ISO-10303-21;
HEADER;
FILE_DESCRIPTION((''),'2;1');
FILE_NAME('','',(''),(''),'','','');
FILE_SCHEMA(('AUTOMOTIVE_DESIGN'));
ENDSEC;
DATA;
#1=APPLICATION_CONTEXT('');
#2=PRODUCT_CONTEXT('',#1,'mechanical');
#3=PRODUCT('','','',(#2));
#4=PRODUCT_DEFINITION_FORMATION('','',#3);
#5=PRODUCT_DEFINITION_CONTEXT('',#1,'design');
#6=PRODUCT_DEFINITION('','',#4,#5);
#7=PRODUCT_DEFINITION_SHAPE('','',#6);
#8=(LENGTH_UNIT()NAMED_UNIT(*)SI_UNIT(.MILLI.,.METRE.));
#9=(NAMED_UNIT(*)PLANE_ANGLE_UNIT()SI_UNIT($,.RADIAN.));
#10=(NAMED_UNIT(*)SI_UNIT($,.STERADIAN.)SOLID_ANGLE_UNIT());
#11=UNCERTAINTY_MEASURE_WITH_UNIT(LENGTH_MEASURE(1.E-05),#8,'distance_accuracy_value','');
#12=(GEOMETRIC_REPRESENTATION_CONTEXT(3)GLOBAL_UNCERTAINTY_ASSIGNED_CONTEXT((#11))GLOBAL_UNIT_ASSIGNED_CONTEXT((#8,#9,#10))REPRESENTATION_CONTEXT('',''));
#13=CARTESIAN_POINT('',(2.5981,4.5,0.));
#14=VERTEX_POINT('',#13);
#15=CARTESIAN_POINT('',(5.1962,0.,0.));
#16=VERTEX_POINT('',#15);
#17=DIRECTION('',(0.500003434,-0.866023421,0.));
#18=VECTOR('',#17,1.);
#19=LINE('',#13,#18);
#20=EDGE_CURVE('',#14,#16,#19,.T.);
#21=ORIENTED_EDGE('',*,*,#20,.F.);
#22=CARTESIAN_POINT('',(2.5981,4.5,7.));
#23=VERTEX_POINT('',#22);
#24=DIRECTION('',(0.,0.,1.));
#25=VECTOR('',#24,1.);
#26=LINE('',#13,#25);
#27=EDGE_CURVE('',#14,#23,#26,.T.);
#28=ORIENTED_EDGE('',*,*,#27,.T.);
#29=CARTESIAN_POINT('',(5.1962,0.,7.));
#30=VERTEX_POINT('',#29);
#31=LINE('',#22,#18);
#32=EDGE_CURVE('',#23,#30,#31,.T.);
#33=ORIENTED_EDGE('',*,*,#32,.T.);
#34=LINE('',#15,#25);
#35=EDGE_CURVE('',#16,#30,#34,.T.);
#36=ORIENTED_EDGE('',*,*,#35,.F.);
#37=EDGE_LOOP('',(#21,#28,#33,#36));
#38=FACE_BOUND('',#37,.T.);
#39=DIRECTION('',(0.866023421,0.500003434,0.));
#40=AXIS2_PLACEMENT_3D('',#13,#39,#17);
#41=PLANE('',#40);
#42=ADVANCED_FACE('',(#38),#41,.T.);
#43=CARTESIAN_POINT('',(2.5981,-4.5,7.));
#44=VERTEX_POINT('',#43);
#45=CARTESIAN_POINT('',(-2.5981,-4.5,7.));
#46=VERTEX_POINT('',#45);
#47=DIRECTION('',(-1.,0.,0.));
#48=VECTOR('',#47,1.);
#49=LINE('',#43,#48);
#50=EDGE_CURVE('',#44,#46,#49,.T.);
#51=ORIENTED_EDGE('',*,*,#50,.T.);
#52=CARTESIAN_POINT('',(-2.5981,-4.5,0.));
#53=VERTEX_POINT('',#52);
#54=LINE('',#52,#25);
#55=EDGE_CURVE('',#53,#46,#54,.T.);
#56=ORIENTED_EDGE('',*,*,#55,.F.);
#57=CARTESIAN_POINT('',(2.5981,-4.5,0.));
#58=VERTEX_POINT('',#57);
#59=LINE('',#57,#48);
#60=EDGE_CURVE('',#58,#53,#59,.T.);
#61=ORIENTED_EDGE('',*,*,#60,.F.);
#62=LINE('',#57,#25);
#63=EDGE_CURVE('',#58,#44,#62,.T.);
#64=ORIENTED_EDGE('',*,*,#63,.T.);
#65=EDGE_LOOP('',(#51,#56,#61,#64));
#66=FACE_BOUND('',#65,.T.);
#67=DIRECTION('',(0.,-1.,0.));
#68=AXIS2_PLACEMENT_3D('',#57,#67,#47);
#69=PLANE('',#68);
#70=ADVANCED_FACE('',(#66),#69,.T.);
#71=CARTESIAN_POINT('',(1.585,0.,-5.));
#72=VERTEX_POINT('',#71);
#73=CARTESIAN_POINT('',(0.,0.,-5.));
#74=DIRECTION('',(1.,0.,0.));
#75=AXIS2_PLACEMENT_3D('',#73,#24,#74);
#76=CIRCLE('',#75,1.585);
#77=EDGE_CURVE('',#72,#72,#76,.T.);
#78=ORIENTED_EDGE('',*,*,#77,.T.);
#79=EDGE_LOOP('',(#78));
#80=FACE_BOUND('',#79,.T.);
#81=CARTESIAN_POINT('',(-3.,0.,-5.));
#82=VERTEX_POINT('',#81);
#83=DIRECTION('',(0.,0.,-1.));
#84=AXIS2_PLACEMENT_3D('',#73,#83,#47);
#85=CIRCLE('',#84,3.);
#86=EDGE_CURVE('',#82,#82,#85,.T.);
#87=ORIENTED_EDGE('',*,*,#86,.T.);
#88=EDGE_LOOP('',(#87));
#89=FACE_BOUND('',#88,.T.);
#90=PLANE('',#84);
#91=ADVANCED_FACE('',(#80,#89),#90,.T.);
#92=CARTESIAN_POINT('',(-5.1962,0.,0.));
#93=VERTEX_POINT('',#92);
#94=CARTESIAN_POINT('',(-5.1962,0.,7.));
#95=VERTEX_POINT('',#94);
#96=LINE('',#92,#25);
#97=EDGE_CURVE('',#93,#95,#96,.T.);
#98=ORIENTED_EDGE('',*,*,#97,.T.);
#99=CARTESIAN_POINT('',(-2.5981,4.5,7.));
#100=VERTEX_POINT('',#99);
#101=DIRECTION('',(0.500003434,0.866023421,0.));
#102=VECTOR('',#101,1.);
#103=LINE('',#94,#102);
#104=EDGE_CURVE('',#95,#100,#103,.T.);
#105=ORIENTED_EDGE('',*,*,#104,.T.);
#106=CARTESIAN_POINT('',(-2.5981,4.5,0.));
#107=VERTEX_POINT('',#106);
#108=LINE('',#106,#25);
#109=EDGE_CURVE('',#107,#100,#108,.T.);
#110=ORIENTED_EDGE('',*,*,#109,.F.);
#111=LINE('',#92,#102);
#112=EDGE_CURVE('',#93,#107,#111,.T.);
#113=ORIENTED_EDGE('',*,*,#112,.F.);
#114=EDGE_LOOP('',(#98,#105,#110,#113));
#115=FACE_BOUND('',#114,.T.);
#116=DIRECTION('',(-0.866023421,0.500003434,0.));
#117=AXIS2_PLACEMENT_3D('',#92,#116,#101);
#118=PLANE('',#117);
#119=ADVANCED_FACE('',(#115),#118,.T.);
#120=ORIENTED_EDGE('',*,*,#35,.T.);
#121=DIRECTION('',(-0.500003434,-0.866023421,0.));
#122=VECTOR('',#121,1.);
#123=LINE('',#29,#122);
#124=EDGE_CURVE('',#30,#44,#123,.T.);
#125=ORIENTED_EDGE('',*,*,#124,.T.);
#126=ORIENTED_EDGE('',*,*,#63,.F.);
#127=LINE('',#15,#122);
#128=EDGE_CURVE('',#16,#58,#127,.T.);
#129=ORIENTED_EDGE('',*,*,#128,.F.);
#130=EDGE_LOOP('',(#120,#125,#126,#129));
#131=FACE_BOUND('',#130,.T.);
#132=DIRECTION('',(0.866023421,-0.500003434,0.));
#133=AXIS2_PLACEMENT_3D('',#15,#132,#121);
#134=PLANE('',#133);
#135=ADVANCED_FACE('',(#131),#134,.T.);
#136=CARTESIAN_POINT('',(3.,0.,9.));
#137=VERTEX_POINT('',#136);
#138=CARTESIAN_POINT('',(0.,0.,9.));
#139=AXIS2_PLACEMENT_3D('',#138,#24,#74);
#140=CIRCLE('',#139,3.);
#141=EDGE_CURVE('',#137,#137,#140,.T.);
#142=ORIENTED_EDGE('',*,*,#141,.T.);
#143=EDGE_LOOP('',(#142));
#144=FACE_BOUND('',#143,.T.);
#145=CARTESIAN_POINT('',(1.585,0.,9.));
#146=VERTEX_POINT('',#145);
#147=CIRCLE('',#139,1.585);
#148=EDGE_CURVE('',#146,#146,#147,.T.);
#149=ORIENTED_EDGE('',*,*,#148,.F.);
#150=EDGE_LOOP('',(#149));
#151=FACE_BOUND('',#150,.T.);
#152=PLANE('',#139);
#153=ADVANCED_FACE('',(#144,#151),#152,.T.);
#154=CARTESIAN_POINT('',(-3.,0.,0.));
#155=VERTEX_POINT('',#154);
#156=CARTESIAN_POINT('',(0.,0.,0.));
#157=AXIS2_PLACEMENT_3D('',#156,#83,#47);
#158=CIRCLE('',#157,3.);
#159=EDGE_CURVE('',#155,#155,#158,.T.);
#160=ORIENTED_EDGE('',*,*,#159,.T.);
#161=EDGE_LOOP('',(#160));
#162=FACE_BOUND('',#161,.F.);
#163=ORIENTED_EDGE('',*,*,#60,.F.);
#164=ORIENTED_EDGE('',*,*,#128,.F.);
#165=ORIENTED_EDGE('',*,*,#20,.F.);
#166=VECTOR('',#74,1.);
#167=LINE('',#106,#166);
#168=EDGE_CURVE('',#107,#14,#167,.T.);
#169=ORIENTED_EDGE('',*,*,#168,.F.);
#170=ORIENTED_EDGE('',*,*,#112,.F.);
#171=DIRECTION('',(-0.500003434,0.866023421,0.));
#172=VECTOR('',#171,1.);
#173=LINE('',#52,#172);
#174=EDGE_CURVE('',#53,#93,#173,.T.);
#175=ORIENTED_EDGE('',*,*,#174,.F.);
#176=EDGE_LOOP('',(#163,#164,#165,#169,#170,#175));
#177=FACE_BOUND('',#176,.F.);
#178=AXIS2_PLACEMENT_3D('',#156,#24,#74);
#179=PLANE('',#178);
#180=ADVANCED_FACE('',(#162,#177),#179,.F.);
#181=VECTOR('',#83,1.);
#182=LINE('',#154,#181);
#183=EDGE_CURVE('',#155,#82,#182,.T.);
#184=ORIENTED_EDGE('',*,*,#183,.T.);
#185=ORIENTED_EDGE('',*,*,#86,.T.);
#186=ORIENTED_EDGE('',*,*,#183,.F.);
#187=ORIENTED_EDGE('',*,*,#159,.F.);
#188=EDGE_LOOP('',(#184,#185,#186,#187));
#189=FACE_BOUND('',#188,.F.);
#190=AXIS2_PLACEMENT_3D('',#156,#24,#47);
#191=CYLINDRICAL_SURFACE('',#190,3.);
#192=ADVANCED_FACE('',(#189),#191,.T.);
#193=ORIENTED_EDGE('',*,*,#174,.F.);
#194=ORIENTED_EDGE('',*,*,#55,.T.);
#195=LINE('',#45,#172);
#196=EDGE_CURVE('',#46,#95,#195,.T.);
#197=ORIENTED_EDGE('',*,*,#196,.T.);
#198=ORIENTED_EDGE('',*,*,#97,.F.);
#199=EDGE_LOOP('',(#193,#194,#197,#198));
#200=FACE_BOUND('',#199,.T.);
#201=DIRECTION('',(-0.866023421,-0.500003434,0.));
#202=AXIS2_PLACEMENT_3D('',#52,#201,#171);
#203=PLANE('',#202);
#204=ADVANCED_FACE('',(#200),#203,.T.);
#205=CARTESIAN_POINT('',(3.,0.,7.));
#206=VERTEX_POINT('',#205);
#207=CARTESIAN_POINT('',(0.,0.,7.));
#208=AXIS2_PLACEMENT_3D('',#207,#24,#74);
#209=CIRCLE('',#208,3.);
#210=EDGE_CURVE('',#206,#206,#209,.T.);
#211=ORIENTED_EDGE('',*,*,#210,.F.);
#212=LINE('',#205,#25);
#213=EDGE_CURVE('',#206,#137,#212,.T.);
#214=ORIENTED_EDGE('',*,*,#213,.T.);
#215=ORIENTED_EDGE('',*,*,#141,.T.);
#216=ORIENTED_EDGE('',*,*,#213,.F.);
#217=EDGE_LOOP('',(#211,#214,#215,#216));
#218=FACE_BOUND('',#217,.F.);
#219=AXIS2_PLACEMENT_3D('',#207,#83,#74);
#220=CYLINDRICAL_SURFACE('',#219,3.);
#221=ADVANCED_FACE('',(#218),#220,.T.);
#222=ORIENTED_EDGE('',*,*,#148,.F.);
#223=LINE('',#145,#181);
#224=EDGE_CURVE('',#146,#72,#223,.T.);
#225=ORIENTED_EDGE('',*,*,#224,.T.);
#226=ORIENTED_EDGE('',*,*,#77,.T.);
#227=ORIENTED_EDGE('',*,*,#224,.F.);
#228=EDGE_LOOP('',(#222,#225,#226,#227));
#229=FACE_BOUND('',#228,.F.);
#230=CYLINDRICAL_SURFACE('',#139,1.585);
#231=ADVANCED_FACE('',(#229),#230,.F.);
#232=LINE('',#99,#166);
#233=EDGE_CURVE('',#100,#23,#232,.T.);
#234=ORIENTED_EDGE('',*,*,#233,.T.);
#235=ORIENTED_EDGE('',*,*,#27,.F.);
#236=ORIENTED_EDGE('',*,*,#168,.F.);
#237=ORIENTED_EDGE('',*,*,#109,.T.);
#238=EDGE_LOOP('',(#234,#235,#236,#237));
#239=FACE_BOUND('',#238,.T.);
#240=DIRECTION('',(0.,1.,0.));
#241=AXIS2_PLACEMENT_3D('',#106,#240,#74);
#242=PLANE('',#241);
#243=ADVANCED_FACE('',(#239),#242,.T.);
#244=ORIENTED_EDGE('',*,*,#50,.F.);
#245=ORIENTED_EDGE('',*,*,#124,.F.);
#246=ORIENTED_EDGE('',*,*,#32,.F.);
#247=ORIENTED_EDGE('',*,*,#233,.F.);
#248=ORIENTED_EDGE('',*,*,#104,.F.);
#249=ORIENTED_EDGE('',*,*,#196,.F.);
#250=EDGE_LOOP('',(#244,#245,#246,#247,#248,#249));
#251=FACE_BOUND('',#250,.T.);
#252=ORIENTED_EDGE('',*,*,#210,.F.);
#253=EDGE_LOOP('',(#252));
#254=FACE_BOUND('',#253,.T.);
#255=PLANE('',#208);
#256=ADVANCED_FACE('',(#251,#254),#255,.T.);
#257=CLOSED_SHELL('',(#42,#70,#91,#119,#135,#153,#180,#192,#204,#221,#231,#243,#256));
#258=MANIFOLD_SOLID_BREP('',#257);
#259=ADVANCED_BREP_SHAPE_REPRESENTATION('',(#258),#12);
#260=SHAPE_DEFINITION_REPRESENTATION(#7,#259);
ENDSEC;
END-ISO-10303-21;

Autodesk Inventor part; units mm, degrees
ref_plane "YZ Plane" through (0, 0, 0) normal (1, 0, 0) x (0, 1, 0)
ref_plane "XZ Plane" through (0, 0, 0) normal (0, 1, 0) x (-1, 0, 0)
ref_plane "XY Plane" through (0, 0, 0) normal (0, 0, 1) x (1, 0, 0)
sketch "Sketch1" plane through (0, 0, 0) normal (0, 0, 1) x (1, 0, 0)
  line L0 (-5.1962, 0) -> (-2.5981, 4.5)
  line L1 (-2.5981, 4.5) -> (2.5981, 4.5)
  line L2 (2.5981, 4.5) -> (5.1962, 0)
  line L3 (5.1962, 0) -> (2.5981, -4.5)
  line L4 (2.5981, -4.5) -> (-2.5981, -4.5)
  line L5 (-2.5981, -4.5) -> (-5.1962, 0)
  point P0 (0, 0)
  point P1 (0, 0)
  dimension "d0" = 9
extrude "Extrusion1" add sketch "Sketch1" along normal blind 7
sketch "Sketch2" plane through (0, 0, 7) normal (0, 0, 1) x (1, 0, 0)
  circle A0 centre (0, 0) radius 3
  dimension "d3" = 6
extrude "Extrusion2" add sketch "Sketch2" along normal blind 2
sketch "Sketch3" plane through (0, 0, 0) normal (0, 0, -1) x (-1, 0, 0)
  circle A0 centre (0, 0) radius 3
  dimension "d6" = 6
extrude "Extrusion3" add sketch "Sketch3" along normal blind 5
sketch "Sketch4" plane through (0, 0, 9) normal (0, 0, 1) x (1, 0, 0)
  circle A0 centre (0, 0) radius 1.585
  dimension "d9" = 3.17
extrude "Extrusion4" cut sketch "Sketch4" against normal through all
thread "Thread1" size "M6x1" class "6g" standard "ANSI Metric M Profile" full length
thread "Thread2" size "M6x1" class "6g" standard "ANSI Metric M Profile" full length
properties part number "mainBody" material "Nickel-Copper Alloy 400"
